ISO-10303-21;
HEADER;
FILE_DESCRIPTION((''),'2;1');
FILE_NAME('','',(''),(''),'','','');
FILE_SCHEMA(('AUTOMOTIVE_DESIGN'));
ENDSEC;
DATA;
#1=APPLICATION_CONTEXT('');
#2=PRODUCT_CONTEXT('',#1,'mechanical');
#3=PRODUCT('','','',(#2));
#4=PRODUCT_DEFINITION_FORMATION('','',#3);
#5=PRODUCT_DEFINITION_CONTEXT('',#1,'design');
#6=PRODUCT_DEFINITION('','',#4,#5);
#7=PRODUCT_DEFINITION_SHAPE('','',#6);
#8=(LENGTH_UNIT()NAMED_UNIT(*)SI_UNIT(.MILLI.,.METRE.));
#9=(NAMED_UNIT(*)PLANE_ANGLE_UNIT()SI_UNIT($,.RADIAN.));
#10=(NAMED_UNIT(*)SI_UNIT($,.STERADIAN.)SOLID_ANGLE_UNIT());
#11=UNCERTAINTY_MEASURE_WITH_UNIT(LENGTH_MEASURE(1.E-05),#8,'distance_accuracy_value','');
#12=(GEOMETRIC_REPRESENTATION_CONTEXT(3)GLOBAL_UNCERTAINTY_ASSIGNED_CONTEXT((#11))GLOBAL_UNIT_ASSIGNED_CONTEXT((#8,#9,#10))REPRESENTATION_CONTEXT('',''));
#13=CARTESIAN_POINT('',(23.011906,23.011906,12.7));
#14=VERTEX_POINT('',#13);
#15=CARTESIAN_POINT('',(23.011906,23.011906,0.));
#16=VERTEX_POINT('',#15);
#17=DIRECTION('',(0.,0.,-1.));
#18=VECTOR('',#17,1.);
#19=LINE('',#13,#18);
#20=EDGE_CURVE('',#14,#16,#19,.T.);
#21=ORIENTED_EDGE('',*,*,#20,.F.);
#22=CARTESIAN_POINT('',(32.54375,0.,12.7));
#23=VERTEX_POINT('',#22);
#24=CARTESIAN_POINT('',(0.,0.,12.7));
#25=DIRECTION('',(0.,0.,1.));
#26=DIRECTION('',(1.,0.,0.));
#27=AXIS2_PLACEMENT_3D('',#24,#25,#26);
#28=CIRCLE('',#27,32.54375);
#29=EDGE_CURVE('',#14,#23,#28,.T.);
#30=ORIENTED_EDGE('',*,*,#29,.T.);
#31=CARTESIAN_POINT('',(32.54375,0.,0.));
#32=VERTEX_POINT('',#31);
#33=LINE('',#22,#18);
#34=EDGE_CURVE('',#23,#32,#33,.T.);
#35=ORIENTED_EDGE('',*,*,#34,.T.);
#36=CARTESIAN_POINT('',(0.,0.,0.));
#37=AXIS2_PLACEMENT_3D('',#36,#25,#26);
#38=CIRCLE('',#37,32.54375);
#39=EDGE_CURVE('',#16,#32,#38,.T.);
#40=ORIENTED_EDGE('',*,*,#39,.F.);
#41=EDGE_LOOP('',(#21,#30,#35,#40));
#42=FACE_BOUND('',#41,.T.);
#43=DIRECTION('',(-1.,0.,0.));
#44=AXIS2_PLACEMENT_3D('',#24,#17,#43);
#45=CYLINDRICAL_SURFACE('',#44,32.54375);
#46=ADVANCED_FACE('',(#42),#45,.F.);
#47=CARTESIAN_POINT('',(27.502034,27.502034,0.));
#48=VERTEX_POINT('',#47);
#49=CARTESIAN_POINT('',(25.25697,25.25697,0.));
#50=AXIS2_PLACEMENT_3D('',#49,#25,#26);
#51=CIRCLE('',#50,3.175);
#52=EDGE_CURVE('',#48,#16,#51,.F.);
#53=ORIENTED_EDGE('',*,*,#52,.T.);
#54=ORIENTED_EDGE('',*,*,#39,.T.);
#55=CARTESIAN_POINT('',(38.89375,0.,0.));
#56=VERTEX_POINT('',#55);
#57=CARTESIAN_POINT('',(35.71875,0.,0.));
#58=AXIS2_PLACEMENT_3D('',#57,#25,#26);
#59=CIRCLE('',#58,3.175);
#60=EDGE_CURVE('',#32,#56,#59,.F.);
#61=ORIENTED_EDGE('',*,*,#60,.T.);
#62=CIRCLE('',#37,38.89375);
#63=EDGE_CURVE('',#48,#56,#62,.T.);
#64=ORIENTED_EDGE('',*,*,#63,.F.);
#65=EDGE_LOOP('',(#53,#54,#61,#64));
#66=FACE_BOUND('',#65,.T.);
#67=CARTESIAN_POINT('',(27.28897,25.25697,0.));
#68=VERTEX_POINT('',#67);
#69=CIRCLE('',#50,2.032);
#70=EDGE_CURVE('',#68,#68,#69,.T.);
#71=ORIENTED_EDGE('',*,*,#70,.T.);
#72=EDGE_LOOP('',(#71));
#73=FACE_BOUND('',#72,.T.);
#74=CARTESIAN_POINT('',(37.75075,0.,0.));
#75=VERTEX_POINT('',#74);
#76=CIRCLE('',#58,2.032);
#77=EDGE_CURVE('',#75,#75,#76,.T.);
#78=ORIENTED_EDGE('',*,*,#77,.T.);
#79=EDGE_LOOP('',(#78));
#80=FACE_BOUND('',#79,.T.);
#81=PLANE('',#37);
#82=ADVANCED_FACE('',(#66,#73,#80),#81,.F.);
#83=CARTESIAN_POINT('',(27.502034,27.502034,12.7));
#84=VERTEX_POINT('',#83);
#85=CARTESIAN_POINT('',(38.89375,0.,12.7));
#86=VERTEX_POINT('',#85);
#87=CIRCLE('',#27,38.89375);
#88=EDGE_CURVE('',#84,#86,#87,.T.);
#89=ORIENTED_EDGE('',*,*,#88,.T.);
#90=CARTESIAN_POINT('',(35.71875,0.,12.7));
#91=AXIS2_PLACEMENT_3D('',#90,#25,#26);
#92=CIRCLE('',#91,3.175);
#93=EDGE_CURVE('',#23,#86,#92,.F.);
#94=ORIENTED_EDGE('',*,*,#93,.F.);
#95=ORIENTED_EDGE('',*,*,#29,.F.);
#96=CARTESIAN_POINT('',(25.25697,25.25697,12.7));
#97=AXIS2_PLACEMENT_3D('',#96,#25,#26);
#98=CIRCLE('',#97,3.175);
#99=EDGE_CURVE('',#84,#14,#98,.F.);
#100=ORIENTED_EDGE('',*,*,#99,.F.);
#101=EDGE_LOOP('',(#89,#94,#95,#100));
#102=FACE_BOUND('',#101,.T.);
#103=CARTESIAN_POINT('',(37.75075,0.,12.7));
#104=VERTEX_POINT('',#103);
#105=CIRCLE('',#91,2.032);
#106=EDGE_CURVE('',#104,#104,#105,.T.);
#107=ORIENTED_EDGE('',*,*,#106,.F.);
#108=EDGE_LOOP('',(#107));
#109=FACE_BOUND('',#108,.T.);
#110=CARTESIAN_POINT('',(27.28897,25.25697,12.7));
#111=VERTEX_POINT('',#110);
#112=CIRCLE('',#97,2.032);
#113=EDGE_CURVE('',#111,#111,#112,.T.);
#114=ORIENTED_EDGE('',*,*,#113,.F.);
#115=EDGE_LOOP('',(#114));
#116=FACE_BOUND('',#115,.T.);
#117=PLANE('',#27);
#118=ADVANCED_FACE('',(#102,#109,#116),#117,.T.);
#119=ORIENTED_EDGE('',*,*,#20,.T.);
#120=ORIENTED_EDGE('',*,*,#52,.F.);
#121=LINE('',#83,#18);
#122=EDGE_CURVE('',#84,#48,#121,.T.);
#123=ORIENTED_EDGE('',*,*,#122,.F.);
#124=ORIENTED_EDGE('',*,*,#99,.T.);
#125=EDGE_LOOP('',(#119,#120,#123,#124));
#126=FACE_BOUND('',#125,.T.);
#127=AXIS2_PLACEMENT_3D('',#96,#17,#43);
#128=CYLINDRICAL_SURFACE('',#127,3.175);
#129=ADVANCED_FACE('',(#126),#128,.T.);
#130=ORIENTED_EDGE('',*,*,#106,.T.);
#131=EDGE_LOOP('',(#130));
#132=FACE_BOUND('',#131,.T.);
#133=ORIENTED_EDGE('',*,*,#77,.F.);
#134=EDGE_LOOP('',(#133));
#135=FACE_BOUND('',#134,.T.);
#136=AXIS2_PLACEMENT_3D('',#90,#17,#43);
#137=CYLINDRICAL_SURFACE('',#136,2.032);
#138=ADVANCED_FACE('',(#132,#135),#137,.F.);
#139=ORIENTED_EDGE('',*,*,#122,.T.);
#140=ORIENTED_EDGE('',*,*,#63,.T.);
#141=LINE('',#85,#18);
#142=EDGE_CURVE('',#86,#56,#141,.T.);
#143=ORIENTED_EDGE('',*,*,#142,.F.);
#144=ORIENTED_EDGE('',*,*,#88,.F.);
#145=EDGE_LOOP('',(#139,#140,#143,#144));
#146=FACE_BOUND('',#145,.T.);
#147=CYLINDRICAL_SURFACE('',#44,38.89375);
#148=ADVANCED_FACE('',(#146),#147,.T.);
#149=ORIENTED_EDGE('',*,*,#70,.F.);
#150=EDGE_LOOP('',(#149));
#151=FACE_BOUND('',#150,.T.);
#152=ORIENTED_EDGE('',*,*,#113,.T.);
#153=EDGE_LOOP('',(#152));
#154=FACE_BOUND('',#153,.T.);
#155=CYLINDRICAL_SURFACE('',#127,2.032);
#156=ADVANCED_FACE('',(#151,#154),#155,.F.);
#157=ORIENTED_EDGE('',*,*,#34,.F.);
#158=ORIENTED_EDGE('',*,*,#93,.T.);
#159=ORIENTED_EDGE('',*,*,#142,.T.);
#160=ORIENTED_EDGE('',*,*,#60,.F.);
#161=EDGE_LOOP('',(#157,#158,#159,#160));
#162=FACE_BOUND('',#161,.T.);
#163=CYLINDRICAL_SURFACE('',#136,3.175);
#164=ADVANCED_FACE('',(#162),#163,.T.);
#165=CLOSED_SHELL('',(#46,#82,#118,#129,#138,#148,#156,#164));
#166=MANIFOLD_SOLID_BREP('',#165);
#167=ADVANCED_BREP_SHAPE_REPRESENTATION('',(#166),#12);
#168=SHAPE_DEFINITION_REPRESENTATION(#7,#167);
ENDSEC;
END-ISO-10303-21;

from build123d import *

# Parameters (mm, degrees)
SKETCH1_R           = 2.032
BOSS_EXTRUDE1_DEPTH = 12.7


with BuildPart() as part:
    # Sketch1 → Boss-Extrude1 (new body)
    with BuildSketch(Plane.XY):
        with BuildLine():
            ThreePointArc((27.502034371, 27.502034371), (27.502034371, 23.01190631), (23.01190631, 23.01190631))
            ThreePointArc((23.01190631, 23.01190631), (-30.066504536, -12.453953952), (32.54375, 0))
            ThreePointArc((32.54375, 0), (35.71875, 3.175), (38.89375, 0))
            ThreePointArc((38.89375, 0), (-35.933139568, -14.883993748), (27.502034371, 27.502034371))
        make_face()
        with Locations((25.256970341, 25.256970341)):
            Circle(SKETCH1_R, mode=Mode.SUBTRACT)
        with Locations((35.71875, 0)):
            Circle(SKETCH1_R, mode=Mode.SUBTRACT)
    extrude(amount=BOSS_EXTRUDE1_DEPTH)


solid = part.part
